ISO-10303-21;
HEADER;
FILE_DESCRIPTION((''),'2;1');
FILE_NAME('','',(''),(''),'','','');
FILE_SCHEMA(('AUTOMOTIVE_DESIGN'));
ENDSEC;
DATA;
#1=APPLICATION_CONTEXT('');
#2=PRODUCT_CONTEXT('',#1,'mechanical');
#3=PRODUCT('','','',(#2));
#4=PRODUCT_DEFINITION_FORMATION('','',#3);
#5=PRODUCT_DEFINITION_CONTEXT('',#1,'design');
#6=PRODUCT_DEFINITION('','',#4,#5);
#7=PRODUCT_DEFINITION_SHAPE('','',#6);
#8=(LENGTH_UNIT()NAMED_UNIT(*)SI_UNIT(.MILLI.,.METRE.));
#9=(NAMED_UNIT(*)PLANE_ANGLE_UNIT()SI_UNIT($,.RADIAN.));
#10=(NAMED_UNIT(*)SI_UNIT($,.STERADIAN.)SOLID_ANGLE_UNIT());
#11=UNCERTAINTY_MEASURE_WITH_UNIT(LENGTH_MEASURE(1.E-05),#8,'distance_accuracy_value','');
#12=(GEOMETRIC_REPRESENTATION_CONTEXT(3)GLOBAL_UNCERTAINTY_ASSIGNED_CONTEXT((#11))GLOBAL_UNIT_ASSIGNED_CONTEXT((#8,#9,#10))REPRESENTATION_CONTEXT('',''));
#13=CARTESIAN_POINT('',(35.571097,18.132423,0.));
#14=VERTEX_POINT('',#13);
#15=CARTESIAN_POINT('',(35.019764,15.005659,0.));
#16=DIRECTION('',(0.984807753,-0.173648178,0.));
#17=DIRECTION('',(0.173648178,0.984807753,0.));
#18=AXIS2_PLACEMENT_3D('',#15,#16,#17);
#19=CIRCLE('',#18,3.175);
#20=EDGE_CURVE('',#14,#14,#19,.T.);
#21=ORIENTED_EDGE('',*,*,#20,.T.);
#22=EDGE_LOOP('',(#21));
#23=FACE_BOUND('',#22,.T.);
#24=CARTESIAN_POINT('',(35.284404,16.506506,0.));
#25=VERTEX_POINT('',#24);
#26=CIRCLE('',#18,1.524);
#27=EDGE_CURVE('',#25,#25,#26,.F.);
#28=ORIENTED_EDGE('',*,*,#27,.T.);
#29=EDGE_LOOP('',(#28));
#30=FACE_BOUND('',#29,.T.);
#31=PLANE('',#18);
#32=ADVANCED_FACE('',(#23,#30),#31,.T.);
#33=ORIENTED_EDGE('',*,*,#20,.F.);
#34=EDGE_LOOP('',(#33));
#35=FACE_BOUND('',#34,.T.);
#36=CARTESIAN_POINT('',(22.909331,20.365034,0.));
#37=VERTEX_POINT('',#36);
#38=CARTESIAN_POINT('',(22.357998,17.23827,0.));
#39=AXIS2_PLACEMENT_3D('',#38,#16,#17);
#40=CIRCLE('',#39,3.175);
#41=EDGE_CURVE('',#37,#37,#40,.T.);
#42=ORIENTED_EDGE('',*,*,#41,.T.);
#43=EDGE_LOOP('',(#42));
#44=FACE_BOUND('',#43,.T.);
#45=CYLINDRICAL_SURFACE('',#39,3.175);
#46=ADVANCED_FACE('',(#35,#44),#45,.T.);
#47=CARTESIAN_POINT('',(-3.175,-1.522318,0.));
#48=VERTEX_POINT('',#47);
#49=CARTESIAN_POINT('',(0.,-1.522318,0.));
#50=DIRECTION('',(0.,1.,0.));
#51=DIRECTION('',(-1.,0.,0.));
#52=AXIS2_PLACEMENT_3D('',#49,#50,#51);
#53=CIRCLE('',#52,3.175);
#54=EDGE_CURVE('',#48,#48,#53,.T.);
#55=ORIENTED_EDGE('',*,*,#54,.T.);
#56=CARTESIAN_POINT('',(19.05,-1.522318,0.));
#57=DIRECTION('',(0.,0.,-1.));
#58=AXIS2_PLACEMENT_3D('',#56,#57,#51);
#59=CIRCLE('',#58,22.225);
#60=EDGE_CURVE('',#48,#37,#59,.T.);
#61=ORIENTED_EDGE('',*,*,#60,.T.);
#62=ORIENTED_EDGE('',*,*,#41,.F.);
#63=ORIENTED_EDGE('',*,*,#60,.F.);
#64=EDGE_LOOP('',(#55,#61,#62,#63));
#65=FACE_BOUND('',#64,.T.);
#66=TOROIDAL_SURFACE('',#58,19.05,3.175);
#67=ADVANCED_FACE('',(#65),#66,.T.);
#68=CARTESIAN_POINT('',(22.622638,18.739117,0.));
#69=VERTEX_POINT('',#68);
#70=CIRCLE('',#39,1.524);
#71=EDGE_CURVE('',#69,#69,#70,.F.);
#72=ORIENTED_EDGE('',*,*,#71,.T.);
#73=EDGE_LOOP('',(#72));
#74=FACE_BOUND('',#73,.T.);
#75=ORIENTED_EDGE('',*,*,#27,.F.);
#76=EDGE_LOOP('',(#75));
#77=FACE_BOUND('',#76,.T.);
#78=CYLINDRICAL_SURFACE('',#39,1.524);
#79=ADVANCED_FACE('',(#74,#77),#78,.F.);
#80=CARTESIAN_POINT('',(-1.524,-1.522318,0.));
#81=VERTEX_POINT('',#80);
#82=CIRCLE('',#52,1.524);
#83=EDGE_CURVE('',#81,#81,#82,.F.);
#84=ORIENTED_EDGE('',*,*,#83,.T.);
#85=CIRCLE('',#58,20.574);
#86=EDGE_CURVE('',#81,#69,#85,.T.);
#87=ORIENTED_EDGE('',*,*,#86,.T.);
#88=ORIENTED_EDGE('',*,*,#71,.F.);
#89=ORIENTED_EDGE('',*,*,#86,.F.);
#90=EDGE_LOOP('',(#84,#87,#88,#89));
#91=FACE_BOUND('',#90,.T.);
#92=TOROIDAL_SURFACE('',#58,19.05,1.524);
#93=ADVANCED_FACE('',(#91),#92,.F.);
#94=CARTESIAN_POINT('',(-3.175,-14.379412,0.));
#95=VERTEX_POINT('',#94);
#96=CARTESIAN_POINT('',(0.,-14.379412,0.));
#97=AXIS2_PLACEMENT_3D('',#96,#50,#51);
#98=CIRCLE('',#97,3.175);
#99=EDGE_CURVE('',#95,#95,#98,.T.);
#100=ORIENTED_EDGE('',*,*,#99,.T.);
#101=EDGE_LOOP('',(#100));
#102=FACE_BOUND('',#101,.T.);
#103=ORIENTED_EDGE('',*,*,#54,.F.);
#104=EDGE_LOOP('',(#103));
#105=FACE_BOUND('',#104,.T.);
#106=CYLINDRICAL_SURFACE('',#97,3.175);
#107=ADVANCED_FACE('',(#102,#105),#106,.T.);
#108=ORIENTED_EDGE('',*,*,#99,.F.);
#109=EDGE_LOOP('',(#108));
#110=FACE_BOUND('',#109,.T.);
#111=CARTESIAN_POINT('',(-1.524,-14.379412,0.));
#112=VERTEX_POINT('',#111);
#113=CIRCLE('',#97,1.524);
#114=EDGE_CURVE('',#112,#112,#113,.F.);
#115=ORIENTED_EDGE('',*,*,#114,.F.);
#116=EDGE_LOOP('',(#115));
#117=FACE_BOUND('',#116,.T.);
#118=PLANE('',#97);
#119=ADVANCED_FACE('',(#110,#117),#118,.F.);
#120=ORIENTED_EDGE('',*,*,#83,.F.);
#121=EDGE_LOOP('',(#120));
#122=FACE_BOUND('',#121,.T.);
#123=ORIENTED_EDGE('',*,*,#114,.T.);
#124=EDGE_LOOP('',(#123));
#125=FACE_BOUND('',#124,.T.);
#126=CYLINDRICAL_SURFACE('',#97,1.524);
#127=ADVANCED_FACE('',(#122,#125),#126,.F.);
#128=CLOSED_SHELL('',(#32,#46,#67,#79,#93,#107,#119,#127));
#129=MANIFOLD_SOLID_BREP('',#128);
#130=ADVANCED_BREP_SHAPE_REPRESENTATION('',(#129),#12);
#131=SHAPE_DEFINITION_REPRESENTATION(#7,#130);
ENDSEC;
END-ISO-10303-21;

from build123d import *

# Parameters (mm, degrees)
SKETCH2_R   = 3.175
SKETCH2_R_2 = 1.524


with BuildPart() as part:
    # Sweep1: sweep along a path in Sketch1
    with BuildLine(Plane.XY) as sweep1_path:
        Line((0, -14.379411942), (0, -1.522317881))
        ThreePointArc((0, -1.522317881), (6.804896035, 13.070828761), (22.357997785, 17.238269814))
        Line((22.357997785, 17.238269814), (35.019763697, 15.00565886))
    # Sketch2 → Sweep1 (sweep)
    with BuildSketch(Plane(origin=(35.019763697, 15.00565886, 0), x_dir=(0, 0, -1), z_dir=(0.984807753, -0.173648178, 0))):
        Circle(SKETCH2_R)
        Circle(SKETCH2_R_2, mode=Mode.SUBTRACT)
    sweep(path=sweep1_path.line)


solid = part.part
